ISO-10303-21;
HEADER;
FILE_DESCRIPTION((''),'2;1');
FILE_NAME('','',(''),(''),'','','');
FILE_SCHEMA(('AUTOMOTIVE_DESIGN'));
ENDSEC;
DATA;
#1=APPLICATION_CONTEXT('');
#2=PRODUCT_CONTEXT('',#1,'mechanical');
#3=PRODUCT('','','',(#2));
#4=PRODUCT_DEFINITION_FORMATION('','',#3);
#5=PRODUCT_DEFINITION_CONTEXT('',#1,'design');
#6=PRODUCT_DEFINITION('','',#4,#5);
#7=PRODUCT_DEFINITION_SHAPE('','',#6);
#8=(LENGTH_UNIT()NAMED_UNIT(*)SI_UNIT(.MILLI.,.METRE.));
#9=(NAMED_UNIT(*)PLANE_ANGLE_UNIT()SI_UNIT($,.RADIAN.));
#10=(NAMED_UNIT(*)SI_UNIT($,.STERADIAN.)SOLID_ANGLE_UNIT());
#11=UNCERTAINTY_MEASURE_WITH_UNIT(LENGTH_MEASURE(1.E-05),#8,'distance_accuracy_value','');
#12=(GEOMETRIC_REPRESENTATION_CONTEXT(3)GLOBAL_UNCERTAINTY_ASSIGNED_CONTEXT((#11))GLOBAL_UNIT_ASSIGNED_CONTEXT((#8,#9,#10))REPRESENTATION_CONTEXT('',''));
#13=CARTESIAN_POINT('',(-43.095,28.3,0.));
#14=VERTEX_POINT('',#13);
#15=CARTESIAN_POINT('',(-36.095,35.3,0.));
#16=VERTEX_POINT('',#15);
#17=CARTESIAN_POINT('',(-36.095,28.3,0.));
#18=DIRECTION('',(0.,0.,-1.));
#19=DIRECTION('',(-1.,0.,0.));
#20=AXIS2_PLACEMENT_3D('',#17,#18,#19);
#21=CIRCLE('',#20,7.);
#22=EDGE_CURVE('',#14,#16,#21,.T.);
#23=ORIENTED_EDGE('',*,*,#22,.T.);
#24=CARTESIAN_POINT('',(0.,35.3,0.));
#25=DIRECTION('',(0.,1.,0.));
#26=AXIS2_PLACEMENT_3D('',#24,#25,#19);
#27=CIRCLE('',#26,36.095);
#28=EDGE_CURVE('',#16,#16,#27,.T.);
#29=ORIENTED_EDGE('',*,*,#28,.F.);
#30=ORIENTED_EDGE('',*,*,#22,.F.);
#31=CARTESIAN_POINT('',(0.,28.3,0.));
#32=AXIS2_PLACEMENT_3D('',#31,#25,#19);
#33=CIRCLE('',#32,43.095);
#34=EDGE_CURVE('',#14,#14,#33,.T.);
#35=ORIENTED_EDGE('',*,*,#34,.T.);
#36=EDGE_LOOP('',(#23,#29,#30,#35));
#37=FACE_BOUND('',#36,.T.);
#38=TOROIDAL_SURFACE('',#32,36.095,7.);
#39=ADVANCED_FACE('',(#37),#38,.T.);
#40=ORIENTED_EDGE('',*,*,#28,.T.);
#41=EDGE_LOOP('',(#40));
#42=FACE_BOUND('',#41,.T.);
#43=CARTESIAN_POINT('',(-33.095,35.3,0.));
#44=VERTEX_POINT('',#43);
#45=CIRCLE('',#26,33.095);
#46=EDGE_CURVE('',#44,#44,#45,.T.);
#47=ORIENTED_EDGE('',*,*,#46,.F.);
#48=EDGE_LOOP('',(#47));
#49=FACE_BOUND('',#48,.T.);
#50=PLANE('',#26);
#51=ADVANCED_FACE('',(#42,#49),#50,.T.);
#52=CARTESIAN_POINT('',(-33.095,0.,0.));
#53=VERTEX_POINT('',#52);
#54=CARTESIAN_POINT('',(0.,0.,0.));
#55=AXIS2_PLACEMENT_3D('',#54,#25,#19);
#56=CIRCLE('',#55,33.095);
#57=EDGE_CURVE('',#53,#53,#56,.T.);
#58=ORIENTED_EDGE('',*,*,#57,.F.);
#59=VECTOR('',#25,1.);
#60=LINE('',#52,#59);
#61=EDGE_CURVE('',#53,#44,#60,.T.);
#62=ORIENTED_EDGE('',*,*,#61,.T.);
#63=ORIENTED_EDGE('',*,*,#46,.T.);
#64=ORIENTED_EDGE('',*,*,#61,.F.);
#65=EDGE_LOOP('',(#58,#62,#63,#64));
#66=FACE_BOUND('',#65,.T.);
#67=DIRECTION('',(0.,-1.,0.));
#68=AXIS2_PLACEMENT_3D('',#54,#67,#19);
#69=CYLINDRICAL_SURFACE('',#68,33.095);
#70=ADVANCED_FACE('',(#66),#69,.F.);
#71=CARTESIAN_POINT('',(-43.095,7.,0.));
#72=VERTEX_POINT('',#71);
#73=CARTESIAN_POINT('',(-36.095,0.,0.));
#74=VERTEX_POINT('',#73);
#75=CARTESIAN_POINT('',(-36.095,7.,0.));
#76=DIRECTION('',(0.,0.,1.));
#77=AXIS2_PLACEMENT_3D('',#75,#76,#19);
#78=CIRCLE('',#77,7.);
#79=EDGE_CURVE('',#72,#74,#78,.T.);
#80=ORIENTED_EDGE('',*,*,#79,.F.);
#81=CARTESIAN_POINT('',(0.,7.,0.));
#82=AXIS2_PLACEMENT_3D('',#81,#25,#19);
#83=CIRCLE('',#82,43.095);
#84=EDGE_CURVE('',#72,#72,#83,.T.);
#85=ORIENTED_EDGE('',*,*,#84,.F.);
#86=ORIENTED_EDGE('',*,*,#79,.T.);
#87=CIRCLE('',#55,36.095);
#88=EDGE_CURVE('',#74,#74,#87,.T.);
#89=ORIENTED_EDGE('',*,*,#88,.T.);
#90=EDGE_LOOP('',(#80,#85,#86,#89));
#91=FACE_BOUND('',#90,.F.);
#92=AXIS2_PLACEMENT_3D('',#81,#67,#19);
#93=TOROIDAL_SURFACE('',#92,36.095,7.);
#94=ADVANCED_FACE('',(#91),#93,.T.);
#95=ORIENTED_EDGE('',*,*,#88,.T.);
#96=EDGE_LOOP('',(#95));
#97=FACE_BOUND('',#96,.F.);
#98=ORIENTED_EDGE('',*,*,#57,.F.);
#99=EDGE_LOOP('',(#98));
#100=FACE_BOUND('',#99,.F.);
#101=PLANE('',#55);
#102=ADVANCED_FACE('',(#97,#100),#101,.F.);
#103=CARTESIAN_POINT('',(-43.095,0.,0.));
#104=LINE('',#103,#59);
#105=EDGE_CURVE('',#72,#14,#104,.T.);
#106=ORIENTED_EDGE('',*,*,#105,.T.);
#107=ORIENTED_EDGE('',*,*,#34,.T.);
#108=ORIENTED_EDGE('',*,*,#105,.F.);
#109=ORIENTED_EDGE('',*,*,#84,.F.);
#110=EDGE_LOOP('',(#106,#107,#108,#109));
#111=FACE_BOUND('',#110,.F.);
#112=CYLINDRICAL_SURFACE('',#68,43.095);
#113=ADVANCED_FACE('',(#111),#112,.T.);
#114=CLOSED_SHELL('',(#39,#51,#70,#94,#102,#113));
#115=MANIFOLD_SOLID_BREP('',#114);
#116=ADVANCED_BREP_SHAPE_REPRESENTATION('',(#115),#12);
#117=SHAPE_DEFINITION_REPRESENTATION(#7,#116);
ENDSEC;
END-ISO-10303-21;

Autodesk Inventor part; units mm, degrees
ref_plane "YZ Plane" through (0, 0, 0) normal (1, 0, 0) x (0, 1, 0)
ref_plane "XZ Plane" through (0, 0, 0) normal (0, 1, 0) x (-1, 0, 0)
ref_plane "XY Plane" through (0, 0, 0) normal (0, 0, 1) x (1, 0, 0)
sketch "Sketch1" plane through (0, 0, 0) normal (0, 1, 0) x (-1, 0, 0)
  circle A0 centre (0, 0) radius 33.095
  circle A1 centre (0, 0) radius 43.095
  dimension "d0" = 66.19
  dimension "d1" = 10
extrude "Extrusion1" add sketch "Sketch1" along normal blind 35.3
fillet "Fillet1" radius 7 2 edges at (43.095, 35.3, 0) (43.095, 0, 0)
properties part number "Larger Tire"
